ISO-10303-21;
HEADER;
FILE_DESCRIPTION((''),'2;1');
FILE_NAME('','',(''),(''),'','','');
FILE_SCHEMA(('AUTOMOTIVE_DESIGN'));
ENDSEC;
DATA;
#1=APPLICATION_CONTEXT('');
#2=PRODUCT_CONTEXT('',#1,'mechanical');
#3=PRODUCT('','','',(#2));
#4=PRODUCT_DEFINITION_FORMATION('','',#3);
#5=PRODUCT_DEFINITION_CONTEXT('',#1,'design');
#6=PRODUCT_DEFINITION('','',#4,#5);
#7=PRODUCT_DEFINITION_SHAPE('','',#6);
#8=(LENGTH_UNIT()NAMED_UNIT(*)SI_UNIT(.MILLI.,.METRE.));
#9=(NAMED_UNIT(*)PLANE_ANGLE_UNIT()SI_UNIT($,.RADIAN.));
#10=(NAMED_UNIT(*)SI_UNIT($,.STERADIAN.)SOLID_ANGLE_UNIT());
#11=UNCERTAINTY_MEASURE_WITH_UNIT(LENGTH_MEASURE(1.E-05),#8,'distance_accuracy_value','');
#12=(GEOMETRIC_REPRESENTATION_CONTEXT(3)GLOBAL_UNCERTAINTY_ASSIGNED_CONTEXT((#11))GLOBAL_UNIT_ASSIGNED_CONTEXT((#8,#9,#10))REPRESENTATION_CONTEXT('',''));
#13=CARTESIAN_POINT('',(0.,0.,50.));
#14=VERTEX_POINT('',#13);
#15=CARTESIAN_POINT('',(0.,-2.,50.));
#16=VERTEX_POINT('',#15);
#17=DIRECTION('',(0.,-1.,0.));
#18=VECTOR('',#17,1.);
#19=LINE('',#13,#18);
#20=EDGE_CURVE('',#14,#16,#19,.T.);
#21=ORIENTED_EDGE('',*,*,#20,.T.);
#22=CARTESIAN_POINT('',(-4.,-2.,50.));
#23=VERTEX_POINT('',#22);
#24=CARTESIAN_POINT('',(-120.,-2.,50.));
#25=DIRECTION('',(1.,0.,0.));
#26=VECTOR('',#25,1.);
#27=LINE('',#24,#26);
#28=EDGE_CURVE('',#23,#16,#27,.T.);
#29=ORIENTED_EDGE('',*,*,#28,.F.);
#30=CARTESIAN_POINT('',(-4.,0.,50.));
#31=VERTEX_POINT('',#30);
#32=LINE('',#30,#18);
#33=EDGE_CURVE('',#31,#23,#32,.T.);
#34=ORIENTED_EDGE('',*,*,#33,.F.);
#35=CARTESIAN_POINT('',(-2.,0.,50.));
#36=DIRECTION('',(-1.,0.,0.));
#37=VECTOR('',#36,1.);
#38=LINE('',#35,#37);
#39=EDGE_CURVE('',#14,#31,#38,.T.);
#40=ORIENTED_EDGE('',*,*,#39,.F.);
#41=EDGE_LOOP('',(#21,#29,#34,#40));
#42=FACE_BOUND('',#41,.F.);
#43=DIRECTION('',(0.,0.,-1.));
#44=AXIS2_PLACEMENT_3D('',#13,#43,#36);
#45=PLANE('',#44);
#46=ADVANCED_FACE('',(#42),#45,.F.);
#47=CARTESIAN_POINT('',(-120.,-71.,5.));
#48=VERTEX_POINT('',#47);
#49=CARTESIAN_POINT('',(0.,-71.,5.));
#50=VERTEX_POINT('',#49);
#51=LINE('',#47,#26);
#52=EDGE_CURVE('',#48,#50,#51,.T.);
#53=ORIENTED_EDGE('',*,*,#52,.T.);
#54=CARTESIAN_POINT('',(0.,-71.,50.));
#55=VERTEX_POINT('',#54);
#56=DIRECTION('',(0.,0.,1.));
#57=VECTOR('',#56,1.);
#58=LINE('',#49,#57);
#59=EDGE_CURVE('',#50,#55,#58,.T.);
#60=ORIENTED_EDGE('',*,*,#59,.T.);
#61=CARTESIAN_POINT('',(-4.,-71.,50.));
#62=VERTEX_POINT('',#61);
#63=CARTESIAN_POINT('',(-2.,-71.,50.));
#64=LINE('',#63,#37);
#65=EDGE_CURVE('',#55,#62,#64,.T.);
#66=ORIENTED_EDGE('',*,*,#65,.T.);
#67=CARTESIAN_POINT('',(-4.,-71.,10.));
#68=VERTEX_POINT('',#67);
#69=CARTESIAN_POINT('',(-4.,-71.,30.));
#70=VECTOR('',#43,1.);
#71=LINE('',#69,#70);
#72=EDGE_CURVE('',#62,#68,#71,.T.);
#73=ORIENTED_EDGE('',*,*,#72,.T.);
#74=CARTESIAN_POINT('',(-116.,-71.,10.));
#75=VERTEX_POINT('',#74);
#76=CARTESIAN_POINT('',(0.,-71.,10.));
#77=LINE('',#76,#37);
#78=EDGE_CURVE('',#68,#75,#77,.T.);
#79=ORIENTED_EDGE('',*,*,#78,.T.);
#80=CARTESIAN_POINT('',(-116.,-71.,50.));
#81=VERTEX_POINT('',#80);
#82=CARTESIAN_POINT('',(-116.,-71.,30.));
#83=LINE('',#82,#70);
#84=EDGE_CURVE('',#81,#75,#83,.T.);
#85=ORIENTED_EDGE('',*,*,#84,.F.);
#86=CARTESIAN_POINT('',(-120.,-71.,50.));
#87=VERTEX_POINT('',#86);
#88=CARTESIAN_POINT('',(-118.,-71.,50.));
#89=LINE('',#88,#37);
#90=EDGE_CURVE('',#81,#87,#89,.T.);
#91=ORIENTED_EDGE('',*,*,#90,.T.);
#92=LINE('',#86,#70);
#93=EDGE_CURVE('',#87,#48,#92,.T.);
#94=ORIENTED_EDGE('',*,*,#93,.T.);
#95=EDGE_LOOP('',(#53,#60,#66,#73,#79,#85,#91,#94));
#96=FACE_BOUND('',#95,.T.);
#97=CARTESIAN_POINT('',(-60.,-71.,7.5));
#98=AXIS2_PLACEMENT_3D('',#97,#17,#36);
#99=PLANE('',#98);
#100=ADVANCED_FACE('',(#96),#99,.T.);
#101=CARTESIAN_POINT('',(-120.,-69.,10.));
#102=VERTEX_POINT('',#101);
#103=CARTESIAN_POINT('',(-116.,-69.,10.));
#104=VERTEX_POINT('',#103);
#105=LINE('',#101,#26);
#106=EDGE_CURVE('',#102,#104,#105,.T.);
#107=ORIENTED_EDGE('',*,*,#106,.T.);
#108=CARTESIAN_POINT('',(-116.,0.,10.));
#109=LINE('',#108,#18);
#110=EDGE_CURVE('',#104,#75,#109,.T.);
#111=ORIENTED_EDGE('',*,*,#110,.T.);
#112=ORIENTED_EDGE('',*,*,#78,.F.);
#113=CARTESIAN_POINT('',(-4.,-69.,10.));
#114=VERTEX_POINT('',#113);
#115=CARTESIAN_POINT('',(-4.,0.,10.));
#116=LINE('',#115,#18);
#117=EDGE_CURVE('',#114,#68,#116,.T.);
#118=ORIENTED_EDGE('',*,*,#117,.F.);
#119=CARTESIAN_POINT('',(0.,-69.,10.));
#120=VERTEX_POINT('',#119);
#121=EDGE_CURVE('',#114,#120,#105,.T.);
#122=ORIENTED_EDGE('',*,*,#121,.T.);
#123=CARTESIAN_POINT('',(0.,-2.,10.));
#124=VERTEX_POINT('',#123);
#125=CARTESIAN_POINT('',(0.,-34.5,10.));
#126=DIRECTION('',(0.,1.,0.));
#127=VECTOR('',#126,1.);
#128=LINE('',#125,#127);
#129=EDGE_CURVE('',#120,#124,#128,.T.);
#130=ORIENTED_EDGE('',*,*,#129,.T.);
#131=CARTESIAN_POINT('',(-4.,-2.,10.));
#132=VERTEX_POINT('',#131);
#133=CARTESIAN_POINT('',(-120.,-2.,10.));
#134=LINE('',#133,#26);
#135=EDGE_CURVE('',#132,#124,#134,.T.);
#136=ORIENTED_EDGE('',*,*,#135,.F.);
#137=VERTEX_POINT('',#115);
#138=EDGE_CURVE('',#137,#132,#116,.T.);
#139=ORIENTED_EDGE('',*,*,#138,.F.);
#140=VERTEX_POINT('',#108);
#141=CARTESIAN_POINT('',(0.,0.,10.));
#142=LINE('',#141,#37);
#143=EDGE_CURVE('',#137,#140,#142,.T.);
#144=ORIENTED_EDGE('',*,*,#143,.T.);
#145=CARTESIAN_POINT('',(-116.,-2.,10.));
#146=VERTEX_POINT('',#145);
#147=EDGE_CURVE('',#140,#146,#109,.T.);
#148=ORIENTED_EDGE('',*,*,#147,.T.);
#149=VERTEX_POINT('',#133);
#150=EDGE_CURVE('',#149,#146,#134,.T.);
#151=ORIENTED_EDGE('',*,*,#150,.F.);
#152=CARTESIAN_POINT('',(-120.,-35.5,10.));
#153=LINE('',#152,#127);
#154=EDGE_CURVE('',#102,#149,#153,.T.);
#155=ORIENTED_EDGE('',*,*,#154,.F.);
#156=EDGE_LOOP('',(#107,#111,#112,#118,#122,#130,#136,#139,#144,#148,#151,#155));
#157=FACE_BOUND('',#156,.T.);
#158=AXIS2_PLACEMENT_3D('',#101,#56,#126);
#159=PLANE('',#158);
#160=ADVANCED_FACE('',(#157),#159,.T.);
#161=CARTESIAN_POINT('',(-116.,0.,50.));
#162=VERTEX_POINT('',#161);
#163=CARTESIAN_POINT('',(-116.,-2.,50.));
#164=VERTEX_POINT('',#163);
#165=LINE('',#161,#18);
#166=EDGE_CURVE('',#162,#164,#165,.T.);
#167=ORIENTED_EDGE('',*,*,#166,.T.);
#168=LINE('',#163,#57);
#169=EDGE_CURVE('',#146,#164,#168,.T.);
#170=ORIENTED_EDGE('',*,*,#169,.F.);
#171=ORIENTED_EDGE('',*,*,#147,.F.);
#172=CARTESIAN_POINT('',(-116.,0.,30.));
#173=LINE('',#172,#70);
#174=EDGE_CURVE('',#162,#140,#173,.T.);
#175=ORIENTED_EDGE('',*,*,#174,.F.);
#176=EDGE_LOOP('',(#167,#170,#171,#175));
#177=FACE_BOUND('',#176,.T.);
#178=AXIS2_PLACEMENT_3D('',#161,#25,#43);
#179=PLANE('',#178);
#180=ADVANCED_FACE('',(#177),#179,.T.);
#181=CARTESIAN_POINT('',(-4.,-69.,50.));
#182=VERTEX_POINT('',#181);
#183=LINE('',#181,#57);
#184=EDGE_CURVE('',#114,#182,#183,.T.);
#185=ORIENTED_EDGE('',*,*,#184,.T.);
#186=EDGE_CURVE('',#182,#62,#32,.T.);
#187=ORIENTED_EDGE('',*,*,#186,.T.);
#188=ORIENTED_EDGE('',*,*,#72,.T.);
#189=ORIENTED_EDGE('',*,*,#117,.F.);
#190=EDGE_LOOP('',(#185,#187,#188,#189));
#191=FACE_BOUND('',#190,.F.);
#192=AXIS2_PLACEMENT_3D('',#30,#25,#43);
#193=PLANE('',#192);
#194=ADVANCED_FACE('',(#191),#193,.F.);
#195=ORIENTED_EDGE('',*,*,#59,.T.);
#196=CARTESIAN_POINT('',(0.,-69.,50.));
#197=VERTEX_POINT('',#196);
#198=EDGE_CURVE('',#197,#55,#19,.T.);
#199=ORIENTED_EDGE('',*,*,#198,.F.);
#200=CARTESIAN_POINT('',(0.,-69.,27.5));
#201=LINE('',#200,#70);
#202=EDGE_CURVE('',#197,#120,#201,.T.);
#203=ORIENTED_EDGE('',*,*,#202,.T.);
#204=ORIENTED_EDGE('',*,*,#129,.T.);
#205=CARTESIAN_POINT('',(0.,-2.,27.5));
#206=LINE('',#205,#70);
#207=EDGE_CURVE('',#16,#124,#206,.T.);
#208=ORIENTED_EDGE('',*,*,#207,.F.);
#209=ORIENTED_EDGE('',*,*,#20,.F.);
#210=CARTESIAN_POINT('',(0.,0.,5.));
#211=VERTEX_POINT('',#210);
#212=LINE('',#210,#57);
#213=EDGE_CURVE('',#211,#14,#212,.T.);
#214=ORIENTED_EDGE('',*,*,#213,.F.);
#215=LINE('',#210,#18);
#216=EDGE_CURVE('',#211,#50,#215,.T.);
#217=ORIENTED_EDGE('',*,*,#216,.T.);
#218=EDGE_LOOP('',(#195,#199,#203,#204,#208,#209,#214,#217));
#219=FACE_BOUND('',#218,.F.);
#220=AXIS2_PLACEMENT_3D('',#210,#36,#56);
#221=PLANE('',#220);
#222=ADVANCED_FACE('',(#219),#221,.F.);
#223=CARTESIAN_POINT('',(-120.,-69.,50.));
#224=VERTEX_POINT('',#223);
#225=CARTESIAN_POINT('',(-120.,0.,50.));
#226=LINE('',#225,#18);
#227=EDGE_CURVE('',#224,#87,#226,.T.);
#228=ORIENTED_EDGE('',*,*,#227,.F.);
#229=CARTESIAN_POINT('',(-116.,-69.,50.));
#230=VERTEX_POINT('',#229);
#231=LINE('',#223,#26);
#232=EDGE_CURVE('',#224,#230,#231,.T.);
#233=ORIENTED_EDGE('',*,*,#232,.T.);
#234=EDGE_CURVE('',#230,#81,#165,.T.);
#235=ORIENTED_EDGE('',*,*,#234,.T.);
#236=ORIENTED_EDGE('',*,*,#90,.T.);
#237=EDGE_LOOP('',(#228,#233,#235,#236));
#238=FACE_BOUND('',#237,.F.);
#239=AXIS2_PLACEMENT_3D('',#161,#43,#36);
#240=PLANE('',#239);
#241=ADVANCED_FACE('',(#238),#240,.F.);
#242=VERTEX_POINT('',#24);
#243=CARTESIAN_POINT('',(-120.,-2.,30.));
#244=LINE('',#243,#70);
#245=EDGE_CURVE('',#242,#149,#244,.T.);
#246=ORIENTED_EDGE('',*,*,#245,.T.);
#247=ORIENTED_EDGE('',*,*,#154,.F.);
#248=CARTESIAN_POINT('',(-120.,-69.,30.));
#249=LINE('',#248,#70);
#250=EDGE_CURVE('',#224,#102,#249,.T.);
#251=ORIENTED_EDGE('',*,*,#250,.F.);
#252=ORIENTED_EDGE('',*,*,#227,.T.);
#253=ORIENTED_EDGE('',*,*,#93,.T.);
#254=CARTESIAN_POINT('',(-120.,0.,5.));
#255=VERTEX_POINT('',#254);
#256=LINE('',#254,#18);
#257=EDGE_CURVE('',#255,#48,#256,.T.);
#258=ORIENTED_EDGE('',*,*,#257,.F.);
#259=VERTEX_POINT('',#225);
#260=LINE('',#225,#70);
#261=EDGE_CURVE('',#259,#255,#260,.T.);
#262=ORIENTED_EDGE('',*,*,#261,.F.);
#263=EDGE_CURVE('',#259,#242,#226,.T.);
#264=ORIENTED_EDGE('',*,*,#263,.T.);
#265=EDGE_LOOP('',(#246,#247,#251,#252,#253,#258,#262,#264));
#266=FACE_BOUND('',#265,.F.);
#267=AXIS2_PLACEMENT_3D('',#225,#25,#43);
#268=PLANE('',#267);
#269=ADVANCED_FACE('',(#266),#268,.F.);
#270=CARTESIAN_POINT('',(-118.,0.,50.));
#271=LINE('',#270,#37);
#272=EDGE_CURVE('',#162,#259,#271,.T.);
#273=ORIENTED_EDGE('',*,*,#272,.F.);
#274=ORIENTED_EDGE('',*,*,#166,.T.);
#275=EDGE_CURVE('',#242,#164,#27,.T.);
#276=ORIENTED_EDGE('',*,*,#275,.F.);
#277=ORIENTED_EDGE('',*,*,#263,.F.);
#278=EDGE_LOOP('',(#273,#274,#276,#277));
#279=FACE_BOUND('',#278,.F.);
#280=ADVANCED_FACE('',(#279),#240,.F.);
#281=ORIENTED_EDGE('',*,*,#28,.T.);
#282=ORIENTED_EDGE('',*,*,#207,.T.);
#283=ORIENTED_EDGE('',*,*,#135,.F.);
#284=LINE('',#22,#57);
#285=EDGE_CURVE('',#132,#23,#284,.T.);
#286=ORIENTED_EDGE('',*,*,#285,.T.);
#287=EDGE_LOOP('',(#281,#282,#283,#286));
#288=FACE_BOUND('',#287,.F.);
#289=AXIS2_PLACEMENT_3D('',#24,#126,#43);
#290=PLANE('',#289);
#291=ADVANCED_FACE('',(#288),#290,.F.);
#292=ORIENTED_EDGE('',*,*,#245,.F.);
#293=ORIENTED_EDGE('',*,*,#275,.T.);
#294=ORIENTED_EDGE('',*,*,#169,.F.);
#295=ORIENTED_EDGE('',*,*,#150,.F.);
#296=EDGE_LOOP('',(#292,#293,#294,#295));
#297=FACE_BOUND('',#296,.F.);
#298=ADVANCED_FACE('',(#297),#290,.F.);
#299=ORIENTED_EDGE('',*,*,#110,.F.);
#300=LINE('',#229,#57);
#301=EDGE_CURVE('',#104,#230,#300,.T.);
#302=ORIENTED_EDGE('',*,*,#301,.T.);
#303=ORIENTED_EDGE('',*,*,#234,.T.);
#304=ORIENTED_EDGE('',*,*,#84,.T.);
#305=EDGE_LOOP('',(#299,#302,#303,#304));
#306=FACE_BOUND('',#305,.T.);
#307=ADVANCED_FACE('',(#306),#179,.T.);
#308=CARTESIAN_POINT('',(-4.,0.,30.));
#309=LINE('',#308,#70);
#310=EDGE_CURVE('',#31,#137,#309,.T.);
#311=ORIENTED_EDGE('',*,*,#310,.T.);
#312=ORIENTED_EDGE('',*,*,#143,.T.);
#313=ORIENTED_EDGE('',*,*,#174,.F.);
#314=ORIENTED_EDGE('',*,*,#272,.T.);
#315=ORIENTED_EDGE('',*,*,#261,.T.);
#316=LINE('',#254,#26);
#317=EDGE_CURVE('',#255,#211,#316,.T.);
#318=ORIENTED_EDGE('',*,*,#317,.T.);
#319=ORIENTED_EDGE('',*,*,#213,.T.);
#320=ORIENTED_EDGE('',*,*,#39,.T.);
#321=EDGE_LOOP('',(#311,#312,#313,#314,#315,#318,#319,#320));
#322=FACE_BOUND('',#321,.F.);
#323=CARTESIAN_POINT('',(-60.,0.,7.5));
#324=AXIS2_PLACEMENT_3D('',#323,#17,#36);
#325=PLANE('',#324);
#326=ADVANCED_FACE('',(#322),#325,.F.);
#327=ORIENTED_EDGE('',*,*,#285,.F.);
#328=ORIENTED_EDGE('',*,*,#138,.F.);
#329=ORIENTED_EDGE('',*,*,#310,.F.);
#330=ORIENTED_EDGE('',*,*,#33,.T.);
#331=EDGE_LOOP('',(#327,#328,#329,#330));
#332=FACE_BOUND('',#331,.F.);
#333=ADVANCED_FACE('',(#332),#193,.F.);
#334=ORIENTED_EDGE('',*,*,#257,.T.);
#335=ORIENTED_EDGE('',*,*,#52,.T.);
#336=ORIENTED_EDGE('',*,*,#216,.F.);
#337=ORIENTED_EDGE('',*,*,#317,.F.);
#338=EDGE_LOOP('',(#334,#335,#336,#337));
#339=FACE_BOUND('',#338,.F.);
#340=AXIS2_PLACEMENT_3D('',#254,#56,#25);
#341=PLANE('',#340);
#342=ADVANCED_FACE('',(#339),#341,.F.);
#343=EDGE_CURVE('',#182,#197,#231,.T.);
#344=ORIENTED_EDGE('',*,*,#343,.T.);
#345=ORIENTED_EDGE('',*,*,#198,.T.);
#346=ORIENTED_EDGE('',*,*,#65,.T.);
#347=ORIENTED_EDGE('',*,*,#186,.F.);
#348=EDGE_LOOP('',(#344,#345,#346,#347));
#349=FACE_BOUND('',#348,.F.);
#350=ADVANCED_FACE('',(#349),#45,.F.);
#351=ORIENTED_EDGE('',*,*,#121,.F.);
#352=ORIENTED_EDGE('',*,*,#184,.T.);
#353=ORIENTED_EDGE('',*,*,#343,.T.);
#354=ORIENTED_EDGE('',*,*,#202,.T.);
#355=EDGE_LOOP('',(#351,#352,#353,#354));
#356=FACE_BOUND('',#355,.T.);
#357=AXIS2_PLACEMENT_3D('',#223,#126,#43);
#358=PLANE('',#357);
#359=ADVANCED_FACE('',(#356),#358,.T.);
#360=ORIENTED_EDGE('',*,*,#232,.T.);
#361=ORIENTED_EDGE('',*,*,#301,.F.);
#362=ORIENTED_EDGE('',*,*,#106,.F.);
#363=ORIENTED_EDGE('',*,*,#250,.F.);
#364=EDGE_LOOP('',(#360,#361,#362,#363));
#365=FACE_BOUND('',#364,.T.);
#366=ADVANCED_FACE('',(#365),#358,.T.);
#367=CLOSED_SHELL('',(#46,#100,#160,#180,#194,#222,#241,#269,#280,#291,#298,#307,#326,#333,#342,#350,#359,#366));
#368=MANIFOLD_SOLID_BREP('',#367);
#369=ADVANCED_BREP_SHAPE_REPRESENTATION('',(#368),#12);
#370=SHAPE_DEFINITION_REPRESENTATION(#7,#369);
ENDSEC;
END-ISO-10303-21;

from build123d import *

# Parameters (mm, degrees)
F0_W     = 40
F0_H     = 400
F1_DEPTH = 710
F2_W     = 670
F2_H     = 400
F3_DEPTH = 1250
F4_SCALE = 0.1
F5_ANGLE = 180


with BuildPart() as f1:
    # F0 (on Front) → F1 (new body)
    with BuildSketch(Plane.XZ):
        Polygon((0, 50), (0, 0), (40, 0), (1160, 0), (1200, 0), (1200, 50), align=None)
        with Locations((20, -200)):
            Rectangle(F0_W, F0_H)
        with Locations((1180, -200)):
            Rectangle(F0_W, F0_H)
    extrude(amount=F1_DEPTH)

    # F2 (on face) → F3 (cut)
    with BuildSketch(Plane.YZ.offset(1200)):
        with Locations((-355, -200)):
            Rectangle(F2_W, F2_H)
    extrude(amount=-F3_DEPTH, mode=Mode.SUBTRACT)


with BuildPart() as f1_1:
    # F4: moved
    add(f1.part.scale(F4_SCALE))


with BuildPart() as f1_2:
    # F5: moved
    add(f1_1.part.rotate(Axis((0, -35.5, 5), (0, 1, 0)), F5_ANGLE))


solid = f1_2.part
